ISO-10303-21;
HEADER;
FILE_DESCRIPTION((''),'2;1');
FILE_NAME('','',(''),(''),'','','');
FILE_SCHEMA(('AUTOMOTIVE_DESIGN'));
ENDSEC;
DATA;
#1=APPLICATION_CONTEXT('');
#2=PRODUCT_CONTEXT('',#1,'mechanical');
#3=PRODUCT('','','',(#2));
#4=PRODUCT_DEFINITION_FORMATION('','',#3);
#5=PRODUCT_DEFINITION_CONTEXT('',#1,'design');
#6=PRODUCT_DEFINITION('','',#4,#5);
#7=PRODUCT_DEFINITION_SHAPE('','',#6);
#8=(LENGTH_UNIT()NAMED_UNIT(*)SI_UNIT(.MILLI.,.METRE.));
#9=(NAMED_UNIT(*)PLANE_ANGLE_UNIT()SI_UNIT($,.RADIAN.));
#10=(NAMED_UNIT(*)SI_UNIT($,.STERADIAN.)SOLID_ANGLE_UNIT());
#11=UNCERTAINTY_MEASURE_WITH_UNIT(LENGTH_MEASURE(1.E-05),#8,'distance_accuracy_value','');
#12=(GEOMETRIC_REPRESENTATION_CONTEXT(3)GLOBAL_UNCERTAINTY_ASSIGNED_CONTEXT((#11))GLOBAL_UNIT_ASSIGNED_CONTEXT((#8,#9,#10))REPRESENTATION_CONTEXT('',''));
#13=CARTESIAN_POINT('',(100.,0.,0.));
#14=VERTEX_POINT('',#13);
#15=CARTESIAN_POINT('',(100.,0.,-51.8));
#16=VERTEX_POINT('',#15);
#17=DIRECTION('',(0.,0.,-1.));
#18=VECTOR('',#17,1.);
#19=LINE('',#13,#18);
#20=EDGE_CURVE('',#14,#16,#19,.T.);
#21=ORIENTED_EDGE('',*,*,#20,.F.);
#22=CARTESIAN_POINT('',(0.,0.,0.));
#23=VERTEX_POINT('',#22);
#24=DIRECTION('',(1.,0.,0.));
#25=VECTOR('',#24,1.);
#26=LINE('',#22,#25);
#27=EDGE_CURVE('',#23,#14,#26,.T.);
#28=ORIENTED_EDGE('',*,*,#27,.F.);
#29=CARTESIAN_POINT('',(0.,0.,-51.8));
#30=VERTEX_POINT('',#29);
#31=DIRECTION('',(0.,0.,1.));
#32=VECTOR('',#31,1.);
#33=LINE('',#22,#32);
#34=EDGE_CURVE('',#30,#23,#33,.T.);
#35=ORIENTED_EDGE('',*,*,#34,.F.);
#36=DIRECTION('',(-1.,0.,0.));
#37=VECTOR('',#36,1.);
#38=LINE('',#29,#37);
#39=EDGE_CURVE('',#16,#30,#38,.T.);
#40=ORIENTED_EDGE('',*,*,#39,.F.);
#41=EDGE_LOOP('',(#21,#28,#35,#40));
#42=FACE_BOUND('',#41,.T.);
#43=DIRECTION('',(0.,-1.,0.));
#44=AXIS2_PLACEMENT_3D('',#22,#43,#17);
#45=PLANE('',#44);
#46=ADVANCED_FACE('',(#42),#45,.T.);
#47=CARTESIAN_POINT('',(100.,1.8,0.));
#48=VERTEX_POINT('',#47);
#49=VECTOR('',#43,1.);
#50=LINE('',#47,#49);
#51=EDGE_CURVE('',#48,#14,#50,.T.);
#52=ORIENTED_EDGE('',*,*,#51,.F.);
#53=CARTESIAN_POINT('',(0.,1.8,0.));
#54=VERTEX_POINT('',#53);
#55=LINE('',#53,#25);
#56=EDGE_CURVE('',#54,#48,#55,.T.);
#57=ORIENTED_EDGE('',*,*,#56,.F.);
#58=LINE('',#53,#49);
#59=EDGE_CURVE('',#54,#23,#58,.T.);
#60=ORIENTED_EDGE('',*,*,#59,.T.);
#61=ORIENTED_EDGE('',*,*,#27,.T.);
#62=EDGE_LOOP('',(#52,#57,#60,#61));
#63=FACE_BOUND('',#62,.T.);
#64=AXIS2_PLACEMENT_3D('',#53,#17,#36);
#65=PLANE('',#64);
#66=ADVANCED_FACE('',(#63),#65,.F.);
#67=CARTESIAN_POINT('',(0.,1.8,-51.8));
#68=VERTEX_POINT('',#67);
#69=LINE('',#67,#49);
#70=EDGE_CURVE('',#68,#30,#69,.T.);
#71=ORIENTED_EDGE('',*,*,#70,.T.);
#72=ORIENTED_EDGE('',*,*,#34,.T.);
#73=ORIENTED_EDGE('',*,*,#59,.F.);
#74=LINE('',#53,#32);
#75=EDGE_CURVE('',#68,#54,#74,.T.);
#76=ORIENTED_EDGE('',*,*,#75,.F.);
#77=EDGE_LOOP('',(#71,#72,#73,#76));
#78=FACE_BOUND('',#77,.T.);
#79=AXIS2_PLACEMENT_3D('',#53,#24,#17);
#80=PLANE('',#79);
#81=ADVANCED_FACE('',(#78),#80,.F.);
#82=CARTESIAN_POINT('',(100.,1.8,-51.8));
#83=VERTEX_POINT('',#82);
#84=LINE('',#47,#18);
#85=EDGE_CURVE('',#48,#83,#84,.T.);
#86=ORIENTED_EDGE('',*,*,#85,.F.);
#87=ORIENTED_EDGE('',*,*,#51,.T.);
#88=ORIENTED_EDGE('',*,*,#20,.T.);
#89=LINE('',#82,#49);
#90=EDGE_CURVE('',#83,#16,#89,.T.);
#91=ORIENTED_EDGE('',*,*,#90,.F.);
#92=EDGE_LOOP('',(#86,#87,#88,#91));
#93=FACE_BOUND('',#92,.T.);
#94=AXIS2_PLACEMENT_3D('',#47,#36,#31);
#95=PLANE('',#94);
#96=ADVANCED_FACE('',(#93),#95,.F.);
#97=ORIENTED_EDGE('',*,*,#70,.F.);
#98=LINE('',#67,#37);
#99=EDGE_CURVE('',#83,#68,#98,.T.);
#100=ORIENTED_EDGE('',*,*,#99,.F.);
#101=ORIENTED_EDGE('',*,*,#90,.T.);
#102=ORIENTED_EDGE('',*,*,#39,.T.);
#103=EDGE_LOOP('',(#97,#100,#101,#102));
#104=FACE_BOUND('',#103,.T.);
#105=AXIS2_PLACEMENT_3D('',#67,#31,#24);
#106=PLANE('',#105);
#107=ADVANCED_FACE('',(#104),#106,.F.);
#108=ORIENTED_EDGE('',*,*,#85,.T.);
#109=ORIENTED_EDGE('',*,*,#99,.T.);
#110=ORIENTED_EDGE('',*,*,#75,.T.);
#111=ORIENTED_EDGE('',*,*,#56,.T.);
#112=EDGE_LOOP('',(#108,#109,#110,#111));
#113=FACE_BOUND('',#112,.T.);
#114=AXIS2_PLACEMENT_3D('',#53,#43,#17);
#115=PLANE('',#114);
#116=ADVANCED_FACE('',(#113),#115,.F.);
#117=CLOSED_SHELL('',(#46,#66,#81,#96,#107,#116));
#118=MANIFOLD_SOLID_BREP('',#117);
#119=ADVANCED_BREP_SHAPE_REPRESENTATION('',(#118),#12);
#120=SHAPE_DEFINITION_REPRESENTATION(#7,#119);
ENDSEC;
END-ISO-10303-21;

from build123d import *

# Parameters (mm, degrees)
SKETCH_1_W      = 100
SKETCH_1_H      = 51.8
EXTRUDE_1_DEPTH = 1.8


with BuildPart() as part:
    # 草图1 → 凸台-拉伸1 (new body)
    with BuildSketch(Plane(origin=(0, 0, 0), x_dir=(1, 0, 0), z_dir=(0, 1, 0))):
        with Locations((50, 25.9)):
            Rectangle(SKETCH_1_W, SKETCH_1_H)
    extrude(amount=EXTRUDE_1_DEPTH)


solid = part.part
